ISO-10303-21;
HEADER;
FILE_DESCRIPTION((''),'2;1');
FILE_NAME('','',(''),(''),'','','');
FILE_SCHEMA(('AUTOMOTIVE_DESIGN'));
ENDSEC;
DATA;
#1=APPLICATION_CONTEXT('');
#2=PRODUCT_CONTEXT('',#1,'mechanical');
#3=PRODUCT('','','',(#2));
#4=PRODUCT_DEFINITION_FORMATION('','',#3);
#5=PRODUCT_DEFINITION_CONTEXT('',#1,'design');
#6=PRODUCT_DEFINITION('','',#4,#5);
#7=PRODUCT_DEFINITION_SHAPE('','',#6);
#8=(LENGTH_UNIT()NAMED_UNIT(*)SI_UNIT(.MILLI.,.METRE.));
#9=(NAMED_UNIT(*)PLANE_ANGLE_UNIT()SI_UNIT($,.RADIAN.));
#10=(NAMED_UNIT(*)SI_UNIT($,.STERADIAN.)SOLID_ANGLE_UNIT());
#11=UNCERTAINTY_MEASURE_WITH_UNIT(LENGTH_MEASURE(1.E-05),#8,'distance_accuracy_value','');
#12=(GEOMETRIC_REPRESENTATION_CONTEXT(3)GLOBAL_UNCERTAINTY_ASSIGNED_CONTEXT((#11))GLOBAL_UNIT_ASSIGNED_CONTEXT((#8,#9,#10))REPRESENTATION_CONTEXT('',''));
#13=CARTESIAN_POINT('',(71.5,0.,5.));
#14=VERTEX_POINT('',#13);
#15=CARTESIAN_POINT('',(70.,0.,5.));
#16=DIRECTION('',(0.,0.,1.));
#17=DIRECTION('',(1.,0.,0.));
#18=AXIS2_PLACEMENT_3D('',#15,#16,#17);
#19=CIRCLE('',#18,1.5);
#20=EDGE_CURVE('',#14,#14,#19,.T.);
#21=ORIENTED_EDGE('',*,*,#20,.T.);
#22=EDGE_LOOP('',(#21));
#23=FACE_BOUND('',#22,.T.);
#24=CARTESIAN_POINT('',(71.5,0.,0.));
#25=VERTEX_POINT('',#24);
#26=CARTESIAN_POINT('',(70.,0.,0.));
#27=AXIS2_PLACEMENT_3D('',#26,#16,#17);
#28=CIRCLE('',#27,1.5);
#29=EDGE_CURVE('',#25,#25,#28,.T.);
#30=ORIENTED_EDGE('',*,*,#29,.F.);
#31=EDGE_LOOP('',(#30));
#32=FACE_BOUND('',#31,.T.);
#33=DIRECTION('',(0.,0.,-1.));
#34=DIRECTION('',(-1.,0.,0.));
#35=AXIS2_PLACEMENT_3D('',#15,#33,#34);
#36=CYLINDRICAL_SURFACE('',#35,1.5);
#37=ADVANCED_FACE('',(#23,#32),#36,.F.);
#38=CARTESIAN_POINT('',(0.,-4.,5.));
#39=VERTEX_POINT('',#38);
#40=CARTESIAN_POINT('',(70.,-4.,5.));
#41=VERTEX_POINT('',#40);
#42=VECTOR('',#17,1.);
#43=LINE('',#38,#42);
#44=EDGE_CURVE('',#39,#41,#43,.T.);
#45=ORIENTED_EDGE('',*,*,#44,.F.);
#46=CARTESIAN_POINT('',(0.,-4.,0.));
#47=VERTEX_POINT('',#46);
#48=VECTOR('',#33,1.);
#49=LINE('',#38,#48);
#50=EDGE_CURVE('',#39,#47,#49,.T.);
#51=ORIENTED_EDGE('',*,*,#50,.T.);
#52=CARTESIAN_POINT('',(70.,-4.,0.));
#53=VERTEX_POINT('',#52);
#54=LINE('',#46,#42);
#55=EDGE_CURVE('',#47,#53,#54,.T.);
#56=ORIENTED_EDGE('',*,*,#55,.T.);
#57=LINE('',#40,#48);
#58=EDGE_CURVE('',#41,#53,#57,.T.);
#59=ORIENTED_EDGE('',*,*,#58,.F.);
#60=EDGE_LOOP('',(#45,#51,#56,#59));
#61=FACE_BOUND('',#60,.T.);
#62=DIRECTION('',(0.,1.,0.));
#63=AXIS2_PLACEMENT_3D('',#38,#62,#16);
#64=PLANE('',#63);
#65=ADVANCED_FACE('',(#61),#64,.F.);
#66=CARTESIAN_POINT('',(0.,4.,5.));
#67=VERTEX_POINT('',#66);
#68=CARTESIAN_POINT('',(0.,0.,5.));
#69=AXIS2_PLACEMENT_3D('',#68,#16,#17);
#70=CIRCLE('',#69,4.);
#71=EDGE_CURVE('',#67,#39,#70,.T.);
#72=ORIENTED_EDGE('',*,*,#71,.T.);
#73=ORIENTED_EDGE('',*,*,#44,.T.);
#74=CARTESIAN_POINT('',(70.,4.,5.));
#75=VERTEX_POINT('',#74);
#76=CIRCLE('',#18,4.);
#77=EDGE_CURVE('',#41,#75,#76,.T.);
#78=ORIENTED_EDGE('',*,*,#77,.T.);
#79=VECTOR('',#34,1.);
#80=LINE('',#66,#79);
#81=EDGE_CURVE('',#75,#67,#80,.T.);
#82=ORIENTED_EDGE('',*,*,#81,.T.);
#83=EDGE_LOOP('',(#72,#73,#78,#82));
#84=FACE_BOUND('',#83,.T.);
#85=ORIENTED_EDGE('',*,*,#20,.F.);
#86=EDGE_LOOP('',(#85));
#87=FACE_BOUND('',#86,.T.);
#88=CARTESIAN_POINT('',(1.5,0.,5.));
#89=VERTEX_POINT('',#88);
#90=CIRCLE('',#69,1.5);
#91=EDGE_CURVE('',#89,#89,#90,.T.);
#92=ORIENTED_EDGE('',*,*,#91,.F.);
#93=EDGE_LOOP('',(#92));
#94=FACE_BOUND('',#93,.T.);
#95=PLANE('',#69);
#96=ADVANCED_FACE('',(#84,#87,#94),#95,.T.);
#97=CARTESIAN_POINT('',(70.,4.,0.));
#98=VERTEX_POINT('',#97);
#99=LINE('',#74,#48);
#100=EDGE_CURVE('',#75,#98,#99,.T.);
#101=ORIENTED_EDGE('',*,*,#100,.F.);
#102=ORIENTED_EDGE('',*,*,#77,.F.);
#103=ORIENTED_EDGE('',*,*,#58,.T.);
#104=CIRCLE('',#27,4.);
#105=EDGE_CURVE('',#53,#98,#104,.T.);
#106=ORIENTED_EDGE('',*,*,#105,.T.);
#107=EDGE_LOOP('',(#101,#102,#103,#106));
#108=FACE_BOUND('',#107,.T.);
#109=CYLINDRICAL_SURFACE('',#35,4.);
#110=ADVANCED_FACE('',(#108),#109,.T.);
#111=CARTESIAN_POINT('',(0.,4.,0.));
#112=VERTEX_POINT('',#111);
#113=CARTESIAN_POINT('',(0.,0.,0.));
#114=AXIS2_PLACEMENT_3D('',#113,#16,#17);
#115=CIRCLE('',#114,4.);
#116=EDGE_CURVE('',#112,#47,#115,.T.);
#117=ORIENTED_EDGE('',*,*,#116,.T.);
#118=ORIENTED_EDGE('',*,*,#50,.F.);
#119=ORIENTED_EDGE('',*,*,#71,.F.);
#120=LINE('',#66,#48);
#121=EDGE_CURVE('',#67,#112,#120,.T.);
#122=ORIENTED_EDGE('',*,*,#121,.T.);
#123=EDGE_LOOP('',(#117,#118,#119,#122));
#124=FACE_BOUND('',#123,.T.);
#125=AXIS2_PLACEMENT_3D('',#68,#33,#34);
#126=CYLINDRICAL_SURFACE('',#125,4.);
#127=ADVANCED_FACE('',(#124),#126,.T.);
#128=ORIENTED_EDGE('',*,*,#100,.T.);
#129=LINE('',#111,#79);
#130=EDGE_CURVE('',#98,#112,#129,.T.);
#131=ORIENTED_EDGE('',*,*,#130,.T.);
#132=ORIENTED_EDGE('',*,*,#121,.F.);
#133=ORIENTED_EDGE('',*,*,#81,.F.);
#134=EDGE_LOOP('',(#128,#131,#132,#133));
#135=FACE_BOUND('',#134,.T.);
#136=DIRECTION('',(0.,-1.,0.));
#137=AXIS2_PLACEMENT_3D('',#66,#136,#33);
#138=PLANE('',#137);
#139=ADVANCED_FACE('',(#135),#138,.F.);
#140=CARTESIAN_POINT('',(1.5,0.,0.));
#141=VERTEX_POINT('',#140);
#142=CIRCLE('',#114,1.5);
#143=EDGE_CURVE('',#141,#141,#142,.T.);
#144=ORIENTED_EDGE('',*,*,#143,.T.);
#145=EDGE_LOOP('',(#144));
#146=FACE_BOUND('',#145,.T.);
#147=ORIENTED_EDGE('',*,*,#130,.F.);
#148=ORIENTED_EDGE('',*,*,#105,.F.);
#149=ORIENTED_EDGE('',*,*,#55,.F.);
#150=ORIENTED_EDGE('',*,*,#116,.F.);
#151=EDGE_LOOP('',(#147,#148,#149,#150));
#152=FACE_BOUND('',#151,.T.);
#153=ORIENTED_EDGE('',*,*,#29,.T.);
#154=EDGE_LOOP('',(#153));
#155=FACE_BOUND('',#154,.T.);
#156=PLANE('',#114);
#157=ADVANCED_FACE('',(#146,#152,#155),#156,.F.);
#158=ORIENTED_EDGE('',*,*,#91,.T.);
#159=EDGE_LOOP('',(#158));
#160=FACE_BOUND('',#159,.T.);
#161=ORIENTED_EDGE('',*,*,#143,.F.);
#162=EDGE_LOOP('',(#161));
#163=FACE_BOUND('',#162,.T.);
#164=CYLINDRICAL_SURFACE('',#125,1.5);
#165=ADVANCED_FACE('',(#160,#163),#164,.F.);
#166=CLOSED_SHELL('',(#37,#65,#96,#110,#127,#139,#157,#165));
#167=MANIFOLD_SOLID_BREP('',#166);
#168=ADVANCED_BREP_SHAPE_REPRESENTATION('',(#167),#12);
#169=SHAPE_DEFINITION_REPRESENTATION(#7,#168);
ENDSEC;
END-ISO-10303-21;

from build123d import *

# Parameters (mm, degrees)
SKETCH1_R           = 1.5
BOSS_EXTRUDE1_DEPTH = 5


with BuildPart() as part:
    # Sketch1 → Boss-Extrude1 (new body)
    with BuildSketch(Plane.XY):
        with BuildLine():
            Line((0, 4), (70, 4))
            ThreePointArc((70, 4), (74, 0), (70, -4))
            Line((70, -4), (0, -4))
            ThreePointArc((0, -4), (-4, 0), (0, 4))
        make_face()
        Circle(SKETCH1_R, mode=Mode.SUBTRACT)
        with Locations((70, 0)):
            Circle(SKETCH1_R, mode=Mode.SUBTRACT)
    extrude(amount=BOSS_EXTRUDE1_DEPTH)


solid = part.part
